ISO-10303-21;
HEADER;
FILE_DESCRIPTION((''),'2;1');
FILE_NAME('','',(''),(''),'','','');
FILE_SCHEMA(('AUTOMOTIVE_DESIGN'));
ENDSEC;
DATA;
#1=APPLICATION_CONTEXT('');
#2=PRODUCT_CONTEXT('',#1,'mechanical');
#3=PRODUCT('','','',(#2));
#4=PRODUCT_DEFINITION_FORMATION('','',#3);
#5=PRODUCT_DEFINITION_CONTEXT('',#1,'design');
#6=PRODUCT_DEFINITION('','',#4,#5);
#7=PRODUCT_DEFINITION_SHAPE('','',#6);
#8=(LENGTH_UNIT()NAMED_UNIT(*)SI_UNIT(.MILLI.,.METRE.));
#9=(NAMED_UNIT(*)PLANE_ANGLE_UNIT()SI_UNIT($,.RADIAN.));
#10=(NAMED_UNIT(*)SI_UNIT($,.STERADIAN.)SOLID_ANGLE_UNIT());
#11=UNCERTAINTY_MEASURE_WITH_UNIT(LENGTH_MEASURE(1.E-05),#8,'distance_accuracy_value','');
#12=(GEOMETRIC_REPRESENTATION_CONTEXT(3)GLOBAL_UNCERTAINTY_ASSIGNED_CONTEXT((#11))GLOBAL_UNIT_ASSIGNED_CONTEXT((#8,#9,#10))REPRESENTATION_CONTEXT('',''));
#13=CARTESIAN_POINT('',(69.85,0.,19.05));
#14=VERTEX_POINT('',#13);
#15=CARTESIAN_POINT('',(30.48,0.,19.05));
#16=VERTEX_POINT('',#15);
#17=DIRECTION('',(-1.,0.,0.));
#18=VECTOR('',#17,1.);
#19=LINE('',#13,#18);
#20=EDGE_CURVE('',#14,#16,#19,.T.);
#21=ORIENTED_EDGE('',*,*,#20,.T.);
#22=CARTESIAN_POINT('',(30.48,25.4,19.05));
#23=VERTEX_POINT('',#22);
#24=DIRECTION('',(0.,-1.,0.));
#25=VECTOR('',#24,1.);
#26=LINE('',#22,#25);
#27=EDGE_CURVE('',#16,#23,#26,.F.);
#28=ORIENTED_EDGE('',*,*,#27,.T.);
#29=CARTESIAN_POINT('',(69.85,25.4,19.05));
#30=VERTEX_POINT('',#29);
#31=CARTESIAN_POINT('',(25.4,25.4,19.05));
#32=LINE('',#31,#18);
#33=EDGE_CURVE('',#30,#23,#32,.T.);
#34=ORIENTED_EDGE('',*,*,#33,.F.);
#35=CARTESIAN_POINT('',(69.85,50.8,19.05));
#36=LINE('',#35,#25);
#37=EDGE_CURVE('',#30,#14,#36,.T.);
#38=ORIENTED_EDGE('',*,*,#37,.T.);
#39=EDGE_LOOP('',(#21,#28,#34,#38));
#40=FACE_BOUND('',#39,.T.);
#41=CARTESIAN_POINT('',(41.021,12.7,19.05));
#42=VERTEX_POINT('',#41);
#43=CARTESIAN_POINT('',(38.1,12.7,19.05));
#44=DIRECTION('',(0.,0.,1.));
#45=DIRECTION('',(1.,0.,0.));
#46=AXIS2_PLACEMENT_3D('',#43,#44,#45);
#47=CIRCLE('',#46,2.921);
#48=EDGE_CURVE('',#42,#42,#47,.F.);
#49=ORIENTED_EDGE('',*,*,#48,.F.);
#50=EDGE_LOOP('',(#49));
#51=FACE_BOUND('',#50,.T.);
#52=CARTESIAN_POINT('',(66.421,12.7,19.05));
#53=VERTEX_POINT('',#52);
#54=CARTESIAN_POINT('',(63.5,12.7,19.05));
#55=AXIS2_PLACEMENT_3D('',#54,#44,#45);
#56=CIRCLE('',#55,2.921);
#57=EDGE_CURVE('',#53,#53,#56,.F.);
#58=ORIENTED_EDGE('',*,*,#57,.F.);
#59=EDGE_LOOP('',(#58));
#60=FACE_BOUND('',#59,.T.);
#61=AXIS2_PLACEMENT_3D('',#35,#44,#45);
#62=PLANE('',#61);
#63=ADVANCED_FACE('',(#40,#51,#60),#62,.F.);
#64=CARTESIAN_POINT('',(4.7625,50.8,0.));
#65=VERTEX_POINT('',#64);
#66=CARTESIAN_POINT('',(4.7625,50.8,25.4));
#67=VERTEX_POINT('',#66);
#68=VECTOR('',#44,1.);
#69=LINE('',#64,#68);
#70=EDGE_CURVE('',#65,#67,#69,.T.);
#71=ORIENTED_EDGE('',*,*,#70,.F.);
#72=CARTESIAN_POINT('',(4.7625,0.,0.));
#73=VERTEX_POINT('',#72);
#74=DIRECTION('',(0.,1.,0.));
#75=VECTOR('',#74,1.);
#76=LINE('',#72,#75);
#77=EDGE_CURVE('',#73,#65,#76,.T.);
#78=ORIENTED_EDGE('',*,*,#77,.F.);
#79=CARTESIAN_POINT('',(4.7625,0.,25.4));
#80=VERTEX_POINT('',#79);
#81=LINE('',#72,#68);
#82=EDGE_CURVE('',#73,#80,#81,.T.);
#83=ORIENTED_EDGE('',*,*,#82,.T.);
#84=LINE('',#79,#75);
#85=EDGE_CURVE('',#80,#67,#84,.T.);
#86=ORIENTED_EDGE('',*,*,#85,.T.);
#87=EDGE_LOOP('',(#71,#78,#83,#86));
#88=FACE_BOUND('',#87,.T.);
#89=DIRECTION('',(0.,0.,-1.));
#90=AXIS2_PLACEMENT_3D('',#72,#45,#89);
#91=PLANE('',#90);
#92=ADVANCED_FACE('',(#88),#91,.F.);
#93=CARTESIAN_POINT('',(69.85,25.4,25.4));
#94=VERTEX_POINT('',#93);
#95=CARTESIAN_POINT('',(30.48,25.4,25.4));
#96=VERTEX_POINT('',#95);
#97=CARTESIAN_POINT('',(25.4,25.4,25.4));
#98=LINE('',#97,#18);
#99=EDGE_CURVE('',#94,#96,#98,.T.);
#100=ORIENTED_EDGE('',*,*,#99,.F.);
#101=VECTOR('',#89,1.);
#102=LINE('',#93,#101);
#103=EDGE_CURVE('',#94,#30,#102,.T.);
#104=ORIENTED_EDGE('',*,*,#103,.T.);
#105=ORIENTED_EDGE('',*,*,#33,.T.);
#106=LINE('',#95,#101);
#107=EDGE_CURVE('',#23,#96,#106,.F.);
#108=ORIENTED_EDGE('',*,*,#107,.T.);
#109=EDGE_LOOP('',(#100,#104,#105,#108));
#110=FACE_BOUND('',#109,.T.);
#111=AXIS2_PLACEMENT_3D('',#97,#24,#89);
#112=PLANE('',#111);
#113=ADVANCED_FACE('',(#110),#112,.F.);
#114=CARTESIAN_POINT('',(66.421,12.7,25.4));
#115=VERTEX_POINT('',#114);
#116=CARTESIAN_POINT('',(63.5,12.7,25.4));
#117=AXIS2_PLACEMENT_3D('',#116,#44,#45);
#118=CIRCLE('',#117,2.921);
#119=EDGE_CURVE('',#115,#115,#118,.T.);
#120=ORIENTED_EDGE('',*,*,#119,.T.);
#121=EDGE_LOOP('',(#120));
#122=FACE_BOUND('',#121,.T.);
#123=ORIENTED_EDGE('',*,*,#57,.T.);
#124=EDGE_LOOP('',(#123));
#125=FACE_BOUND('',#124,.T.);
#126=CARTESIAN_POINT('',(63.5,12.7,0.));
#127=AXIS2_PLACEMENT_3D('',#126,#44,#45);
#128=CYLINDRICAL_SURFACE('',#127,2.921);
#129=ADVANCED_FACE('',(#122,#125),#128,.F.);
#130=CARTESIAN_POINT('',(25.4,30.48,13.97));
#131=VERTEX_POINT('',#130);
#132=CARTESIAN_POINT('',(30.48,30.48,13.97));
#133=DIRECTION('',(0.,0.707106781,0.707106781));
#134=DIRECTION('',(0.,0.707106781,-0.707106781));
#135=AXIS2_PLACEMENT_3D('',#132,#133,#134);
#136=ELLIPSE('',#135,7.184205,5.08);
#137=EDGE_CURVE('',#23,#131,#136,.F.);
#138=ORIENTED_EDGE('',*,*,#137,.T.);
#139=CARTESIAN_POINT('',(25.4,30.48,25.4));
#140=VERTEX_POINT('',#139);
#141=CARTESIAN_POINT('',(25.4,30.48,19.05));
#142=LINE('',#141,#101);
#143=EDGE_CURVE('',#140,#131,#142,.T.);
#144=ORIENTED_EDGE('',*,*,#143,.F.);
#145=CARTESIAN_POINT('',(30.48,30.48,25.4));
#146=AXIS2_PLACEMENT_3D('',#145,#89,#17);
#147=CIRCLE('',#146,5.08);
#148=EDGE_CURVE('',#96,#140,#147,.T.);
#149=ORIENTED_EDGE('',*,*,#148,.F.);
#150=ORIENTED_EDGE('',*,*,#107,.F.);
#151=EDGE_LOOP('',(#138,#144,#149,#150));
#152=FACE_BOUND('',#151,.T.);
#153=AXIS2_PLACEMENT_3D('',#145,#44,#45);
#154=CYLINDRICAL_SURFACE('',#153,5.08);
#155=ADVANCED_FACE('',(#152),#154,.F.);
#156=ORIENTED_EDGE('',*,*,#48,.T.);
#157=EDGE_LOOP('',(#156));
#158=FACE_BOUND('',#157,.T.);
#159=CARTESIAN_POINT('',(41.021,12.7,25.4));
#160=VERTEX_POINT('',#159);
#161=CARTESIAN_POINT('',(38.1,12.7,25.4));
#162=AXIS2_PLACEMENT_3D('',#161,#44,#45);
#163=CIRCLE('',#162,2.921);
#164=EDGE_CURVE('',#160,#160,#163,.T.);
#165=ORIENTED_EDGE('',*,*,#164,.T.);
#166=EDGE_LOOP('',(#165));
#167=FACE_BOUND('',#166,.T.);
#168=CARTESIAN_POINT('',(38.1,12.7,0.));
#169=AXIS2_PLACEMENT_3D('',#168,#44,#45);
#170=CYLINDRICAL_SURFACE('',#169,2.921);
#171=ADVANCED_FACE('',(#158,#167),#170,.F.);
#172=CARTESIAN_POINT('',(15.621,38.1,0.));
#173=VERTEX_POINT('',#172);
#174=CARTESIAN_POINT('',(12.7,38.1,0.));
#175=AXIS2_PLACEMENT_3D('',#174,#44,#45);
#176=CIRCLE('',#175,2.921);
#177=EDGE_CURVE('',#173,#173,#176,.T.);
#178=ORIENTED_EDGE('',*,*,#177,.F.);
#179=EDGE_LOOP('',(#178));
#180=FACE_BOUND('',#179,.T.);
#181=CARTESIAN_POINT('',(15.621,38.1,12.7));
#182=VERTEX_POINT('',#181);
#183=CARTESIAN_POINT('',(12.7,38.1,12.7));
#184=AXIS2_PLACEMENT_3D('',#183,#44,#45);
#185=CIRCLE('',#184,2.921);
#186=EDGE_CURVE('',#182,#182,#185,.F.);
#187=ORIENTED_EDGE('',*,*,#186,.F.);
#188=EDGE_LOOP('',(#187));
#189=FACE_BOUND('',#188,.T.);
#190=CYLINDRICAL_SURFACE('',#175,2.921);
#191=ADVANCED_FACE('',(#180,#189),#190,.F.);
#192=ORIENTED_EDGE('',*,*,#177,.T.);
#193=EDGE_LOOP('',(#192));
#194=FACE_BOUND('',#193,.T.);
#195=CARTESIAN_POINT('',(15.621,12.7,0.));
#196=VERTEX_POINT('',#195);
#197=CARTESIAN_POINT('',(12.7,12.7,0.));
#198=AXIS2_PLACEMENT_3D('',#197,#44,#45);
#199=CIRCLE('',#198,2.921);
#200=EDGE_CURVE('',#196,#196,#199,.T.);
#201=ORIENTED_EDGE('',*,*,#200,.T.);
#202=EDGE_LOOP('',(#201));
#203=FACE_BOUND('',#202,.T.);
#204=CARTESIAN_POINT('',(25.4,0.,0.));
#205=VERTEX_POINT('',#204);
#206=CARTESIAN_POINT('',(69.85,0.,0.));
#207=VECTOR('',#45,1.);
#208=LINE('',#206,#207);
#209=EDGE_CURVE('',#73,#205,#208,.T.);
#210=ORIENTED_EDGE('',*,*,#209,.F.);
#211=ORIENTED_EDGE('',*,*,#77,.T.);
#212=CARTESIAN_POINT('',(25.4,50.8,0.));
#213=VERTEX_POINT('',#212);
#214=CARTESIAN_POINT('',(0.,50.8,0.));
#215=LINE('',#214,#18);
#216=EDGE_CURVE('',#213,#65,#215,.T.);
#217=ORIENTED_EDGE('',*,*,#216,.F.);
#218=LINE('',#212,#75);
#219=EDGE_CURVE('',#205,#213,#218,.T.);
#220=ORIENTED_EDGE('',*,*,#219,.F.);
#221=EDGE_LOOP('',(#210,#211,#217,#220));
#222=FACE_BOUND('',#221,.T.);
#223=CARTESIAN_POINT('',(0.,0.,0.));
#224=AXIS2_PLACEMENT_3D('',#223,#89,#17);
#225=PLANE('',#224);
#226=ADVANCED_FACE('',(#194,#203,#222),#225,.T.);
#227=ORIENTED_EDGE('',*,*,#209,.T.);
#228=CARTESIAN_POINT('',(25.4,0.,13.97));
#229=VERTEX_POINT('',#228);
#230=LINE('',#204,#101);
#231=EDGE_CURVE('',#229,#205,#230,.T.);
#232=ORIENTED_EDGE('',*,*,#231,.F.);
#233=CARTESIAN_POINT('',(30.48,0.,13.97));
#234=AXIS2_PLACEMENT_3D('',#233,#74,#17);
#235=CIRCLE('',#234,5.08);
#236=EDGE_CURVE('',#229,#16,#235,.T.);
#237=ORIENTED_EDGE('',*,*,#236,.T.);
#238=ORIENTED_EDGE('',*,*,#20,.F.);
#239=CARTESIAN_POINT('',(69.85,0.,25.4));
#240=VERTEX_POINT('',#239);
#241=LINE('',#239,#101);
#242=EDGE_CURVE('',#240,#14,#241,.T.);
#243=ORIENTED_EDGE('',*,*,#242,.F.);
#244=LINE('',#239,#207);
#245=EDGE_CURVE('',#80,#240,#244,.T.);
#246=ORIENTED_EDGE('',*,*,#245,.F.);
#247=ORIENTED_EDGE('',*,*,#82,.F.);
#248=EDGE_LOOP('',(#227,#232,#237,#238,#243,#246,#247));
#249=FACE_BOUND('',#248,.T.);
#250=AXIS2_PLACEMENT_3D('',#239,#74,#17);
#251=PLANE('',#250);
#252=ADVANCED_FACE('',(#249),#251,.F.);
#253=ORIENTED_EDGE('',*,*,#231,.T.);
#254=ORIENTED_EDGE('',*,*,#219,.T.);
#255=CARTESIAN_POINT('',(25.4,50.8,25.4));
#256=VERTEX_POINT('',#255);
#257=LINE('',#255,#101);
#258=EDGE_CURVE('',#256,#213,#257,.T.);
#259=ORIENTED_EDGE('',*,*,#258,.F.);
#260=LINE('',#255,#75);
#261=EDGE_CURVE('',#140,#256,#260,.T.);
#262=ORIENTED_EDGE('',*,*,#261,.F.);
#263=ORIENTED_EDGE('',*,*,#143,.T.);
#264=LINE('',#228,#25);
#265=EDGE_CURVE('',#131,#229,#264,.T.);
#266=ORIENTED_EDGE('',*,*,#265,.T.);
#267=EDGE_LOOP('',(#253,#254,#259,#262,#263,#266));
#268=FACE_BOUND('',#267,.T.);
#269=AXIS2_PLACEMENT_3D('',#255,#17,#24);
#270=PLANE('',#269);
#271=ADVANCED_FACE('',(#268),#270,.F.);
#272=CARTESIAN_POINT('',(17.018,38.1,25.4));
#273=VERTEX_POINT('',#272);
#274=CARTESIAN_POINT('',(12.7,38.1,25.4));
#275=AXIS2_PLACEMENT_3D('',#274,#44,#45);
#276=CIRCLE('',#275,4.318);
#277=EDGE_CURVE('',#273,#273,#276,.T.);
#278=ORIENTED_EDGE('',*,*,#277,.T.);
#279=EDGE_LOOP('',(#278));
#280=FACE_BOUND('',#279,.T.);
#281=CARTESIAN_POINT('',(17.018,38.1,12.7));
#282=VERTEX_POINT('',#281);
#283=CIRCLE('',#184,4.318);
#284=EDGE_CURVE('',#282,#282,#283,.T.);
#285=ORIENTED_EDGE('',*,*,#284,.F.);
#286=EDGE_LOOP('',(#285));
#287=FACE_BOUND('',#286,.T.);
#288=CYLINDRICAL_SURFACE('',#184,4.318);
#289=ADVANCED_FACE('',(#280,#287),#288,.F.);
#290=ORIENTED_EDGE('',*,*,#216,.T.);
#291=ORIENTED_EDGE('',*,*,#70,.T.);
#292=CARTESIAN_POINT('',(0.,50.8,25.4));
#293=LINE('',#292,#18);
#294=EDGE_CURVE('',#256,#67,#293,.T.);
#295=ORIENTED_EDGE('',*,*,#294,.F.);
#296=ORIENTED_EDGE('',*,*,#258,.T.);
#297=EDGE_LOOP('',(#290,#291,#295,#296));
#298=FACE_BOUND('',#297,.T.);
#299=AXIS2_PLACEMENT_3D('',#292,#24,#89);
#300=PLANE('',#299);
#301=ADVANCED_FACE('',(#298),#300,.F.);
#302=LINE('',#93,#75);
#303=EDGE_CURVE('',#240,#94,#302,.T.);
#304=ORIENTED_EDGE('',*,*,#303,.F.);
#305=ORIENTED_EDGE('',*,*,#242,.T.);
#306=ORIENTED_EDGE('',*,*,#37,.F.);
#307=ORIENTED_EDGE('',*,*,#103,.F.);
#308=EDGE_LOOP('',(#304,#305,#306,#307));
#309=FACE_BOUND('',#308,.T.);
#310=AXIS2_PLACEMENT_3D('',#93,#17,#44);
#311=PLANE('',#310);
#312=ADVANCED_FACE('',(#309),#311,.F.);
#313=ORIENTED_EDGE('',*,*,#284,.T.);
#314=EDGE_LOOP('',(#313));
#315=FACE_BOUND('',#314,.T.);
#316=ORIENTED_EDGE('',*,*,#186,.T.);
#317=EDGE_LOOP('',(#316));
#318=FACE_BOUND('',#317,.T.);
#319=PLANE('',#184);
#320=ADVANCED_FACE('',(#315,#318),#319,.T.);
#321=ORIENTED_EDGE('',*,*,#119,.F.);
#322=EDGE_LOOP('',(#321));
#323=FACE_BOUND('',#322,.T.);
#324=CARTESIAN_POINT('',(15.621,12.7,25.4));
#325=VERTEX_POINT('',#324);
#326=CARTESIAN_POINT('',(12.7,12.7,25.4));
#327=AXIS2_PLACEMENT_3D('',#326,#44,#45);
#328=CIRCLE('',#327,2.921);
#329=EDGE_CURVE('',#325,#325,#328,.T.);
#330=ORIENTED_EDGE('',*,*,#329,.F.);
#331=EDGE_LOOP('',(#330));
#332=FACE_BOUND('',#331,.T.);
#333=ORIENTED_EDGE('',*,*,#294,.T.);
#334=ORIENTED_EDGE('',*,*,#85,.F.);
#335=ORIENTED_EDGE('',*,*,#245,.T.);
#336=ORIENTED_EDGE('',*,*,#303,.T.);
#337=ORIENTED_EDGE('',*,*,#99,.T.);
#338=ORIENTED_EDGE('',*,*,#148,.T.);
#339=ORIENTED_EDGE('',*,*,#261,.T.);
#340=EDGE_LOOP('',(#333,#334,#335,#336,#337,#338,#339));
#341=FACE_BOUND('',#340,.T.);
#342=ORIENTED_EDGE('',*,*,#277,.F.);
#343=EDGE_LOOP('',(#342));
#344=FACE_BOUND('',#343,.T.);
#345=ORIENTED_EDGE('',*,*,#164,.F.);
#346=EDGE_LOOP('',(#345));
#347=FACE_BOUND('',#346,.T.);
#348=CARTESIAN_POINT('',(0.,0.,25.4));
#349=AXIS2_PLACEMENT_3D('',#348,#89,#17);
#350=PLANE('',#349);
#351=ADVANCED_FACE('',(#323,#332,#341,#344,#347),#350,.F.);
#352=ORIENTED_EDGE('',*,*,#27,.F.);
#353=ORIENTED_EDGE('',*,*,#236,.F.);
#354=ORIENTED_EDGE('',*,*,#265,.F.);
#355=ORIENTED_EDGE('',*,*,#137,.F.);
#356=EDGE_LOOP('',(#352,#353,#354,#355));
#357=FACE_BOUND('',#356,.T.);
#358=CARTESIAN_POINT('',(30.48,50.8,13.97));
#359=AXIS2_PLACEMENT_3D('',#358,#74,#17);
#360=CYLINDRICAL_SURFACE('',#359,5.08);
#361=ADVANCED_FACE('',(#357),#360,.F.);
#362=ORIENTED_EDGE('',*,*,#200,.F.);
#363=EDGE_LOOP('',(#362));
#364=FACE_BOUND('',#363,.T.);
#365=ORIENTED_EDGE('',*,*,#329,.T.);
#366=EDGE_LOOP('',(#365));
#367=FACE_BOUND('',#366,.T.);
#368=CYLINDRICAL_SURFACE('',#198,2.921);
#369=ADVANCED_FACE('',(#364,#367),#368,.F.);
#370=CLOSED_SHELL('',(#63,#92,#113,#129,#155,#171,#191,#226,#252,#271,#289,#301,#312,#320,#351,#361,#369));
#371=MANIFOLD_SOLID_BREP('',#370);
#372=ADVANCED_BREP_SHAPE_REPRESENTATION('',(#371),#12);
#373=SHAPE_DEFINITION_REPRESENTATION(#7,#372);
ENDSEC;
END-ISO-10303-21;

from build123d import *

# Parameters (mm, degrees)
BOSS_EXTRUDE1_DEPTH = 25.4
SKETCH2_R           = 2.921
CUT_EXTRUDE1_DEPTH  = 91.02678768
SKETCH3_W           = 4.7625
SKETCH3_H           = 50.8
CUT_EXTRUDE2_DEPTH  = 91.02678768
SKETCH4_W           = 44.45
SKETCH4_H           = 19.05
CUT_EXTRUDE3_DEPTH  = 91.02678768
FILLET1_R           = 5.08
SKETCH6_R           = 4.318
CUT_EXTRUDE5_DEPTH  = 12.7


with BuildPart() as part:
    # Sketch1 → Boss-Extrude1 (new body)
    with BuildSketch(Plane.XY):
        Polygon((0, 0), (0, 50.8), (25.4, 50.8), (25.4, 25.4), (69.85, 25.4), (69.85, 0), align=None)
    extrude(amount=BOSS_EXTRUDE1_DEPTH)

    # Sketch2 → Cut-Extrude1 (cut, through all)
    with BuildSketch(Plane.XY.offset(25.4)):
        with Locations((12.7, 38.1)):
            Circle(SKETCH2_R)
        with Locations((12.7, 12.7)):
            Circle(SKETCH2_R)
        with Locations((38.1, 12.7)):
            Circle(SKETCH2_R)
        with Locations((63.5, 12.7)):
            Circle(SKETCH2_R)
    extrude(amount=-CUT_EXTRUDE1_DEPTH, mode=Mode.SUBTRACT)

    # Sketch3 → Cut-Extrude2 (cut, through all)
    with BuildSketch(Plane.XY.offset(25.4)):
        with Locations((2.38125, 25.4)):
            Rectangle(SKETCH3_W, SKETCH3_H)
    extrude(amount=-CUT_EXTRUDE2_DEPTH, mode=Mode.SUBTRACT)

    # Sketch4 → Cut-Extrude3 (cut, through all)
    with BuildSketch(Plane.XZ):
        with Locations((47.625, 9.525)):
            Rectangle(SKETCH4_W, SKETCH4_H)
    extrude(amount=-CUT_EXTRUDE3_DEPTH, mode=Mode.SUBTRACT)

    # Fillet1
    fillet1_edges = [part.edges().sort_by_distance(p)[0] for p in [
        (25.4, 25.4, 22.225),
        (25.4, 12.7, 19.05),
    ]]
    fillet(fillet1_edges, radius=FILLET1_R)

    # Sketch6 → Cut-Extrude5 (cut)
    with BuildSketch(Plane.XY.offset(25.4)):
        with Locations((12.7, 38.1)):
            Circle(SKETCH6_R)
    extrude(amount=-CUT_EXTRUDE5_DEPTH, mode=Mode.SUBTRACT)


solid = part.part
